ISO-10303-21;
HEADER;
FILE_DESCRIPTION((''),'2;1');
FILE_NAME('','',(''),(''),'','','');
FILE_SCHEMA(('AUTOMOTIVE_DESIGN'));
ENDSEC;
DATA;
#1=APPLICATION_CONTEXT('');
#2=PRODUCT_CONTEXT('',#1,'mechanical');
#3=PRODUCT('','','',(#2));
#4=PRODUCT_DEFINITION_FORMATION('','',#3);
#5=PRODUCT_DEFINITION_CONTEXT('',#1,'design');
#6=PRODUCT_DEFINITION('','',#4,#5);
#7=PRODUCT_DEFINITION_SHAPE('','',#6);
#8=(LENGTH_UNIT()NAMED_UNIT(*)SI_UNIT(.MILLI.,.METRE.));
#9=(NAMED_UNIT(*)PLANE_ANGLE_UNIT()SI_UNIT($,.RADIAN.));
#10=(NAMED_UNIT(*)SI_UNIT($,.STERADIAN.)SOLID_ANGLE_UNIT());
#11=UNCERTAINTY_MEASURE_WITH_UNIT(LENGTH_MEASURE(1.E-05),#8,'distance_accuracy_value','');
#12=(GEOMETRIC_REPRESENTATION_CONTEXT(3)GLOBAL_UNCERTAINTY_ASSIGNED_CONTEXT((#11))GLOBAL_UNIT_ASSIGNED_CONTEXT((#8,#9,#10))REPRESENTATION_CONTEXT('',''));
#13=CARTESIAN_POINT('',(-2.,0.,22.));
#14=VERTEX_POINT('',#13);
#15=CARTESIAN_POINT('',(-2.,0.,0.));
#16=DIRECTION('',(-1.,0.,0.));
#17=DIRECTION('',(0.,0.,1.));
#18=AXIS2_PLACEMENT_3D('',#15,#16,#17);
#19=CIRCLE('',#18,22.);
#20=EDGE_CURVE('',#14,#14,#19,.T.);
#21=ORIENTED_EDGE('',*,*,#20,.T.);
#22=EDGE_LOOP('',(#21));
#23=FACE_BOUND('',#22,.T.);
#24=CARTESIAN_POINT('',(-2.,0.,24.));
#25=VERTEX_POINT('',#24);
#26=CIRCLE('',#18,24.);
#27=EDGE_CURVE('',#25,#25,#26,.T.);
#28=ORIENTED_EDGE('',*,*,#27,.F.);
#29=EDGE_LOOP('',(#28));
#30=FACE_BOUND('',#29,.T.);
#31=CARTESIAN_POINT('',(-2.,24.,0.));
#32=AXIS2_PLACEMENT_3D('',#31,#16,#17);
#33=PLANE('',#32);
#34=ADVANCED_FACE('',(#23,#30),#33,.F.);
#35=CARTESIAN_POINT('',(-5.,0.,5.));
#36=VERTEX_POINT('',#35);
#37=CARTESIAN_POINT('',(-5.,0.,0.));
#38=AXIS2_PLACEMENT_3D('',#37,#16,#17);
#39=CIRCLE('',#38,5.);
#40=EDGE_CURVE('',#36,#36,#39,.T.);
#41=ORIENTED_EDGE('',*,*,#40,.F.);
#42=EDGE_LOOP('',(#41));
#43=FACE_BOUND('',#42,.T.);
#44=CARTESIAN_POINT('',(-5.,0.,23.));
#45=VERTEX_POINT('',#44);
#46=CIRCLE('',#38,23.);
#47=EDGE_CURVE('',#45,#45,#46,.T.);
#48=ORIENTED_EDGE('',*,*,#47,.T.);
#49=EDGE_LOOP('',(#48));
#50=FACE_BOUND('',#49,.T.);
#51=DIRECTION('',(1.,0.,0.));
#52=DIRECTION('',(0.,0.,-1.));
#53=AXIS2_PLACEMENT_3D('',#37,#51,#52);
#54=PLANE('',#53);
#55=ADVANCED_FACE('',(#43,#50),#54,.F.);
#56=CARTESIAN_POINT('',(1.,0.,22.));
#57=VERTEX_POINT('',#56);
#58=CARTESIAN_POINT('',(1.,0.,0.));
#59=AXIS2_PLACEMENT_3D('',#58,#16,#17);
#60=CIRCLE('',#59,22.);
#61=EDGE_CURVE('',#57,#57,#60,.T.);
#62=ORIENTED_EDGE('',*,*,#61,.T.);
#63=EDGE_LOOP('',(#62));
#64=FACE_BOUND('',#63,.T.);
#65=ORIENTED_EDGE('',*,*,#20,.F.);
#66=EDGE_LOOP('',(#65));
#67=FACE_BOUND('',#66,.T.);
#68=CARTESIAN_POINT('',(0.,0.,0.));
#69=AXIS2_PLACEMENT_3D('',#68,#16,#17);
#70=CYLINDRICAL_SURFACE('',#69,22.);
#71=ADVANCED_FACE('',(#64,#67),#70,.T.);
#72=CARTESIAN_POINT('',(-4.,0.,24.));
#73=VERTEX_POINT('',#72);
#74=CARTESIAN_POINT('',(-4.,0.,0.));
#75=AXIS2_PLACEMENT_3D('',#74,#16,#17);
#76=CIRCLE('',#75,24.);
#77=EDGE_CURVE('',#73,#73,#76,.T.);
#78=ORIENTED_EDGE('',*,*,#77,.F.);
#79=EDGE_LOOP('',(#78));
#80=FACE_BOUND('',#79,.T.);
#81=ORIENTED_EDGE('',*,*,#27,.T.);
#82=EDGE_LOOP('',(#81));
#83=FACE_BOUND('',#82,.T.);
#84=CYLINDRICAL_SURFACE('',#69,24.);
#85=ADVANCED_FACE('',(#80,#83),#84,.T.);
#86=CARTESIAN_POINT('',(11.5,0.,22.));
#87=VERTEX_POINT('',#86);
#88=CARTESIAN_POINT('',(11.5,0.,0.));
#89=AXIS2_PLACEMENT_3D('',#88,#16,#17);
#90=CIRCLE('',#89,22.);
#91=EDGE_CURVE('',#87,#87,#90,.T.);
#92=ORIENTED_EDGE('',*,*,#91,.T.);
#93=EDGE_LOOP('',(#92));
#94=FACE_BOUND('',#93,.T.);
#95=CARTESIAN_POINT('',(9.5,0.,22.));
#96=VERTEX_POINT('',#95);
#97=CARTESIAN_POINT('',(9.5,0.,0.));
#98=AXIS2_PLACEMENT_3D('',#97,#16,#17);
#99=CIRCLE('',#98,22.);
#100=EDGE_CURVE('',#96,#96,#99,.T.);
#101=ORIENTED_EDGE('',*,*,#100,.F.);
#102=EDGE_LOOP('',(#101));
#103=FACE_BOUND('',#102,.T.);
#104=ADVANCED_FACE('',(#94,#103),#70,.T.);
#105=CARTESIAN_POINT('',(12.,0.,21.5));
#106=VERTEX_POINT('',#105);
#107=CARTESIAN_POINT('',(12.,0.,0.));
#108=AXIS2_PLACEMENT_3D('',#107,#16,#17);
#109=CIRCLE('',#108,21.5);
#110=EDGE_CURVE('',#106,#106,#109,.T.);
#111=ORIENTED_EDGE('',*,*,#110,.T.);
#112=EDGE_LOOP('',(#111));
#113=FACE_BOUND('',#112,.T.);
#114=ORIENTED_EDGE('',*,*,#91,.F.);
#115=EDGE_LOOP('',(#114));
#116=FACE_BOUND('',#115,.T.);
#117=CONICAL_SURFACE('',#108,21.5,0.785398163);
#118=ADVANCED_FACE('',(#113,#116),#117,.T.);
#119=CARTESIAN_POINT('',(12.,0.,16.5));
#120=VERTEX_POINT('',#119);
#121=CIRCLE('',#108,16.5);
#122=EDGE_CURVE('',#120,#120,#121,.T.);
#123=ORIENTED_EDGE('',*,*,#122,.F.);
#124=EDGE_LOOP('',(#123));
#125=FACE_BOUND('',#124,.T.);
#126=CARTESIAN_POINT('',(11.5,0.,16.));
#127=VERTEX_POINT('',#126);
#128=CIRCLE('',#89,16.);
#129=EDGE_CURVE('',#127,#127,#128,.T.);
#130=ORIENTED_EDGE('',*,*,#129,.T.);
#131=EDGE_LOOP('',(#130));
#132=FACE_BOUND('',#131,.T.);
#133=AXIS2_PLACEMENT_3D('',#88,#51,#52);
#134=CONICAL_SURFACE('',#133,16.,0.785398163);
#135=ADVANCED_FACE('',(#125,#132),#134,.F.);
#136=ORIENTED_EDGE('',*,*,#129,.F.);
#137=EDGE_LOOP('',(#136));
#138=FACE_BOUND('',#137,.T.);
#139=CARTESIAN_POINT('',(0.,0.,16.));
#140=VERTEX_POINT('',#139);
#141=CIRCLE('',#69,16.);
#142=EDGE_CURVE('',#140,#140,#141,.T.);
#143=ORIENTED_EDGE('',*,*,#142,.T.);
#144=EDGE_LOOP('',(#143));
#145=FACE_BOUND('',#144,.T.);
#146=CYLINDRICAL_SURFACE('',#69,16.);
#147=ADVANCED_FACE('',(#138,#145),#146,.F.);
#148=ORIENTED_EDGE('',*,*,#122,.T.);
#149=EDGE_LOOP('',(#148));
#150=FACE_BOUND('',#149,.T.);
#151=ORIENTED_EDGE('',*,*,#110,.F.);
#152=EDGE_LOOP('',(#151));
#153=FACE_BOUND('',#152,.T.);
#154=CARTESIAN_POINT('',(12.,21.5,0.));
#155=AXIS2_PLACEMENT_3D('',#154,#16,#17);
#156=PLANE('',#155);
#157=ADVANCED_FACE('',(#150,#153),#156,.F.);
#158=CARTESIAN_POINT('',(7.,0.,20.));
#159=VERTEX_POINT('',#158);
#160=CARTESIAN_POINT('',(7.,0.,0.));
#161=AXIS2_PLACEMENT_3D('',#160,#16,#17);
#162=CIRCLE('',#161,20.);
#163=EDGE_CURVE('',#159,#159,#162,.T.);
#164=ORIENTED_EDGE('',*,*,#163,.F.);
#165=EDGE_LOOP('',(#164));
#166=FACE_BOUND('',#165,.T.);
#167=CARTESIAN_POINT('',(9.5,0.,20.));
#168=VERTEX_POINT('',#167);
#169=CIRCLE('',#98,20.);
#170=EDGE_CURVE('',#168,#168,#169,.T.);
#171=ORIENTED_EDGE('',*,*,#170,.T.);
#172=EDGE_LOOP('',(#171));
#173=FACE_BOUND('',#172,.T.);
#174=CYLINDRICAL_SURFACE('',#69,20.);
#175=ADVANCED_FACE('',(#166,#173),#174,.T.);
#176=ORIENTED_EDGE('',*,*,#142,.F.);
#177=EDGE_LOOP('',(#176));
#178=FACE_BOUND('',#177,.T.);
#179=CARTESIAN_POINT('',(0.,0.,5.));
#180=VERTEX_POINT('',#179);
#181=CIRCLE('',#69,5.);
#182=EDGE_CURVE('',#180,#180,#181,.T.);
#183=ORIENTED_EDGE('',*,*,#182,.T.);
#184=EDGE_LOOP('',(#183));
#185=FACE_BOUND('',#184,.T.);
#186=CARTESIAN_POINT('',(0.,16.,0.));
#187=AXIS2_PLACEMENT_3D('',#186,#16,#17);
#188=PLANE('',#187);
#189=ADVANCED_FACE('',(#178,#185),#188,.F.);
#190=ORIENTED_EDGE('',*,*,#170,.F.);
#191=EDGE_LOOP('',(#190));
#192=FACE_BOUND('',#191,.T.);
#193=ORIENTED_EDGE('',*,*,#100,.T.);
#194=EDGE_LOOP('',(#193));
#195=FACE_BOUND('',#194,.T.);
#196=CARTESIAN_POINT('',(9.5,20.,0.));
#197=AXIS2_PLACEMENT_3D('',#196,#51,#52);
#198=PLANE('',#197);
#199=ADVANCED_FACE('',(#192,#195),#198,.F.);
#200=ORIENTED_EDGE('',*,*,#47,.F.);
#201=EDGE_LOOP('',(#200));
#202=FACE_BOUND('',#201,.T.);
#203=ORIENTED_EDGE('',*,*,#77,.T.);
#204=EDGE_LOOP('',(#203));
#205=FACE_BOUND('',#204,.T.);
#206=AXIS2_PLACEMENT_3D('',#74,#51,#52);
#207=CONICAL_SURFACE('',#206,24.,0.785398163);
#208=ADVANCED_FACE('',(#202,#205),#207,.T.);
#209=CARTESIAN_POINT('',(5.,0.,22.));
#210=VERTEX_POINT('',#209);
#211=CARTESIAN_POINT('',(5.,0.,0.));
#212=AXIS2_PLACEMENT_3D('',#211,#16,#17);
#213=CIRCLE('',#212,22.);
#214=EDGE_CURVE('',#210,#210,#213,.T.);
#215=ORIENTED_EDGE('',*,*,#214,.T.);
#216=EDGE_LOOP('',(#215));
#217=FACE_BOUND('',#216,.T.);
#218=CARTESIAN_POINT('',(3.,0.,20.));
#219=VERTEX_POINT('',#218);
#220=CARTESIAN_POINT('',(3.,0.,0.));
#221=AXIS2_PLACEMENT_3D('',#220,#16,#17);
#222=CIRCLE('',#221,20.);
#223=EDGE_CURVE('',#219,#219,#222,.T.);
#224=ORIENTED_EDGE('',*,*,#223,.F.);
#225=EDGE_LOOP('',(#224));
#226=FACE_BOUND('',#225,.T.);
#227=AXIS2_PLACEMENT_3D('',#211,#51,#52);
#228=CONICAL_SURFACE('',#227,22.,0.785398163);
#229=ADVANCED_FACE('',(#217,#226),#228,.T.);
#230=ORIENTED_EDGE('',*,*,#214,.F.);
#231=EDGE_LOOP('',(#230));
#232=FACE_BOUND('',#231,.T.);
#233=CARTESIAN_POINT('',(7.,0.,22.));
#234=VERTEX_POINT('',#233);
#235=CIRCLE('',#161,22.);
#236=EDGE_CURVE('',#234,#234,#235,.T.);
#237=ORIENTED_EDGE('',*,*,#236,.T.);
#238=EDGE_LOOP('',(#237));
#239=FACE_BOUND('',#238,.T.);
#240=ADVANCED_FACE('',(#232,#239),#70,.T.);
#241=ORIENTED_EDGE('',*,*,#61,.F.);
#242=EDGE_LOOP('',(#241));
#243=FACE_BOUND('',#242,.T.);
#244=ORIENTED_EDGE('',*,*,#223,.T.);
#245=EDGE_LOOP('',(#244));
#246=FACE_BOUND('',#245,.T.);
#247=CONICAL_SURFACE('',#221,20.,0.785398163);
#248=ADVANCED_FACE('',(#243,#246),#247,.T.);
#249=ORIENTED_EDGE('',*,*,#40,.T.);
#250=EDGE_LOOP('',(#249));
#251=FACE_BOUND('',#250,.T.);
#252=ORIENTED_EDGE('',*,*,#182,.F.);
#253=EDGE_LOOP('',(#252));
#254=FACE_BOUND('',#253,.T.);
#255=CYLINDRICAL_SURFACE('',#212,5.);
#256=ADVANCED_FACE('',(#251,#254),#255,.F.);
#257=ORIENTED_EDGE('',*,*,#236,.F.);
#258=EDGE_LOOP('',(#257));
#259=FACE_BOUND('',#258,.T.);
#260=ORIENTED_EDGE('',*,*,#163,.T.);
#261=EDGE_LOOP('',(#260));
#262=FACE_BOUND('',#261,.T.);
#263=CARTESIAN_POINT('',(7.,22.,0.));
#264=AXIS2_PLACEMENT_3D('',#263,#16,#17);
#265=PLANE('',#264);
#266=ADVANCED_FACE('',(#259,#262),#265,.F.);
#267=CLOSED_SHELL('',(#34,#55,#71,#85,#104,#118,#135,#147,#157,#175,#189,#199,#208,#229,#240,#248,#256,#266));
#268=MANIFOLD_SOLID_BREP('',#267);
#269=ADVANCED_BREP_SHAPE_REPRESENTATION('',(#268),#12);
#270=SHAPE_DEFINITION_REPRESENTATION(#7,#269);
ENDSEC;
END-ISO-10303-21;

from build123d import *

# Parameters (mm, degrees)
SKETCH_2_R          = 5
CUT_EXTRUDE_1_DEPTH = 10


with BuildPart() as part:
    # Эскиз1 → Повернуть1 (revolve)
    with BuildSketch(Plane.XY, mode=Mode.PRIVATE) as revolve_1_sk:
        Polygon((-5, 0), (-5, 23), (-4, 24), (-2, 24), (-2, 22), (1, 22), (3, 20), (5, 22), (7, 22), (7, 20), (9.5, 20), (9.5, 22), (11.5, 22), (12, 21.5), (12, 16.5), (11.5, 16), (0, 16), (0, 0), align=None)
    revolve(revolve_1_sk.sketch.rotate(Axis((0, 0, 0), (1, 0, 0)), 90), axis=Axis((0, 0, 0), (1, 0, 0)))

    # Эскиз2 → Вырез-Вытянуть1 (cut)
    with BuildSketch(Plane.ZY.offset(5)):
        Circle(SKETCH_2_R)
    extrude(amount=-CUT_EXTRUDE_1_DEPTH, mode=Mode.SUBTRACT)


solid = part.part
